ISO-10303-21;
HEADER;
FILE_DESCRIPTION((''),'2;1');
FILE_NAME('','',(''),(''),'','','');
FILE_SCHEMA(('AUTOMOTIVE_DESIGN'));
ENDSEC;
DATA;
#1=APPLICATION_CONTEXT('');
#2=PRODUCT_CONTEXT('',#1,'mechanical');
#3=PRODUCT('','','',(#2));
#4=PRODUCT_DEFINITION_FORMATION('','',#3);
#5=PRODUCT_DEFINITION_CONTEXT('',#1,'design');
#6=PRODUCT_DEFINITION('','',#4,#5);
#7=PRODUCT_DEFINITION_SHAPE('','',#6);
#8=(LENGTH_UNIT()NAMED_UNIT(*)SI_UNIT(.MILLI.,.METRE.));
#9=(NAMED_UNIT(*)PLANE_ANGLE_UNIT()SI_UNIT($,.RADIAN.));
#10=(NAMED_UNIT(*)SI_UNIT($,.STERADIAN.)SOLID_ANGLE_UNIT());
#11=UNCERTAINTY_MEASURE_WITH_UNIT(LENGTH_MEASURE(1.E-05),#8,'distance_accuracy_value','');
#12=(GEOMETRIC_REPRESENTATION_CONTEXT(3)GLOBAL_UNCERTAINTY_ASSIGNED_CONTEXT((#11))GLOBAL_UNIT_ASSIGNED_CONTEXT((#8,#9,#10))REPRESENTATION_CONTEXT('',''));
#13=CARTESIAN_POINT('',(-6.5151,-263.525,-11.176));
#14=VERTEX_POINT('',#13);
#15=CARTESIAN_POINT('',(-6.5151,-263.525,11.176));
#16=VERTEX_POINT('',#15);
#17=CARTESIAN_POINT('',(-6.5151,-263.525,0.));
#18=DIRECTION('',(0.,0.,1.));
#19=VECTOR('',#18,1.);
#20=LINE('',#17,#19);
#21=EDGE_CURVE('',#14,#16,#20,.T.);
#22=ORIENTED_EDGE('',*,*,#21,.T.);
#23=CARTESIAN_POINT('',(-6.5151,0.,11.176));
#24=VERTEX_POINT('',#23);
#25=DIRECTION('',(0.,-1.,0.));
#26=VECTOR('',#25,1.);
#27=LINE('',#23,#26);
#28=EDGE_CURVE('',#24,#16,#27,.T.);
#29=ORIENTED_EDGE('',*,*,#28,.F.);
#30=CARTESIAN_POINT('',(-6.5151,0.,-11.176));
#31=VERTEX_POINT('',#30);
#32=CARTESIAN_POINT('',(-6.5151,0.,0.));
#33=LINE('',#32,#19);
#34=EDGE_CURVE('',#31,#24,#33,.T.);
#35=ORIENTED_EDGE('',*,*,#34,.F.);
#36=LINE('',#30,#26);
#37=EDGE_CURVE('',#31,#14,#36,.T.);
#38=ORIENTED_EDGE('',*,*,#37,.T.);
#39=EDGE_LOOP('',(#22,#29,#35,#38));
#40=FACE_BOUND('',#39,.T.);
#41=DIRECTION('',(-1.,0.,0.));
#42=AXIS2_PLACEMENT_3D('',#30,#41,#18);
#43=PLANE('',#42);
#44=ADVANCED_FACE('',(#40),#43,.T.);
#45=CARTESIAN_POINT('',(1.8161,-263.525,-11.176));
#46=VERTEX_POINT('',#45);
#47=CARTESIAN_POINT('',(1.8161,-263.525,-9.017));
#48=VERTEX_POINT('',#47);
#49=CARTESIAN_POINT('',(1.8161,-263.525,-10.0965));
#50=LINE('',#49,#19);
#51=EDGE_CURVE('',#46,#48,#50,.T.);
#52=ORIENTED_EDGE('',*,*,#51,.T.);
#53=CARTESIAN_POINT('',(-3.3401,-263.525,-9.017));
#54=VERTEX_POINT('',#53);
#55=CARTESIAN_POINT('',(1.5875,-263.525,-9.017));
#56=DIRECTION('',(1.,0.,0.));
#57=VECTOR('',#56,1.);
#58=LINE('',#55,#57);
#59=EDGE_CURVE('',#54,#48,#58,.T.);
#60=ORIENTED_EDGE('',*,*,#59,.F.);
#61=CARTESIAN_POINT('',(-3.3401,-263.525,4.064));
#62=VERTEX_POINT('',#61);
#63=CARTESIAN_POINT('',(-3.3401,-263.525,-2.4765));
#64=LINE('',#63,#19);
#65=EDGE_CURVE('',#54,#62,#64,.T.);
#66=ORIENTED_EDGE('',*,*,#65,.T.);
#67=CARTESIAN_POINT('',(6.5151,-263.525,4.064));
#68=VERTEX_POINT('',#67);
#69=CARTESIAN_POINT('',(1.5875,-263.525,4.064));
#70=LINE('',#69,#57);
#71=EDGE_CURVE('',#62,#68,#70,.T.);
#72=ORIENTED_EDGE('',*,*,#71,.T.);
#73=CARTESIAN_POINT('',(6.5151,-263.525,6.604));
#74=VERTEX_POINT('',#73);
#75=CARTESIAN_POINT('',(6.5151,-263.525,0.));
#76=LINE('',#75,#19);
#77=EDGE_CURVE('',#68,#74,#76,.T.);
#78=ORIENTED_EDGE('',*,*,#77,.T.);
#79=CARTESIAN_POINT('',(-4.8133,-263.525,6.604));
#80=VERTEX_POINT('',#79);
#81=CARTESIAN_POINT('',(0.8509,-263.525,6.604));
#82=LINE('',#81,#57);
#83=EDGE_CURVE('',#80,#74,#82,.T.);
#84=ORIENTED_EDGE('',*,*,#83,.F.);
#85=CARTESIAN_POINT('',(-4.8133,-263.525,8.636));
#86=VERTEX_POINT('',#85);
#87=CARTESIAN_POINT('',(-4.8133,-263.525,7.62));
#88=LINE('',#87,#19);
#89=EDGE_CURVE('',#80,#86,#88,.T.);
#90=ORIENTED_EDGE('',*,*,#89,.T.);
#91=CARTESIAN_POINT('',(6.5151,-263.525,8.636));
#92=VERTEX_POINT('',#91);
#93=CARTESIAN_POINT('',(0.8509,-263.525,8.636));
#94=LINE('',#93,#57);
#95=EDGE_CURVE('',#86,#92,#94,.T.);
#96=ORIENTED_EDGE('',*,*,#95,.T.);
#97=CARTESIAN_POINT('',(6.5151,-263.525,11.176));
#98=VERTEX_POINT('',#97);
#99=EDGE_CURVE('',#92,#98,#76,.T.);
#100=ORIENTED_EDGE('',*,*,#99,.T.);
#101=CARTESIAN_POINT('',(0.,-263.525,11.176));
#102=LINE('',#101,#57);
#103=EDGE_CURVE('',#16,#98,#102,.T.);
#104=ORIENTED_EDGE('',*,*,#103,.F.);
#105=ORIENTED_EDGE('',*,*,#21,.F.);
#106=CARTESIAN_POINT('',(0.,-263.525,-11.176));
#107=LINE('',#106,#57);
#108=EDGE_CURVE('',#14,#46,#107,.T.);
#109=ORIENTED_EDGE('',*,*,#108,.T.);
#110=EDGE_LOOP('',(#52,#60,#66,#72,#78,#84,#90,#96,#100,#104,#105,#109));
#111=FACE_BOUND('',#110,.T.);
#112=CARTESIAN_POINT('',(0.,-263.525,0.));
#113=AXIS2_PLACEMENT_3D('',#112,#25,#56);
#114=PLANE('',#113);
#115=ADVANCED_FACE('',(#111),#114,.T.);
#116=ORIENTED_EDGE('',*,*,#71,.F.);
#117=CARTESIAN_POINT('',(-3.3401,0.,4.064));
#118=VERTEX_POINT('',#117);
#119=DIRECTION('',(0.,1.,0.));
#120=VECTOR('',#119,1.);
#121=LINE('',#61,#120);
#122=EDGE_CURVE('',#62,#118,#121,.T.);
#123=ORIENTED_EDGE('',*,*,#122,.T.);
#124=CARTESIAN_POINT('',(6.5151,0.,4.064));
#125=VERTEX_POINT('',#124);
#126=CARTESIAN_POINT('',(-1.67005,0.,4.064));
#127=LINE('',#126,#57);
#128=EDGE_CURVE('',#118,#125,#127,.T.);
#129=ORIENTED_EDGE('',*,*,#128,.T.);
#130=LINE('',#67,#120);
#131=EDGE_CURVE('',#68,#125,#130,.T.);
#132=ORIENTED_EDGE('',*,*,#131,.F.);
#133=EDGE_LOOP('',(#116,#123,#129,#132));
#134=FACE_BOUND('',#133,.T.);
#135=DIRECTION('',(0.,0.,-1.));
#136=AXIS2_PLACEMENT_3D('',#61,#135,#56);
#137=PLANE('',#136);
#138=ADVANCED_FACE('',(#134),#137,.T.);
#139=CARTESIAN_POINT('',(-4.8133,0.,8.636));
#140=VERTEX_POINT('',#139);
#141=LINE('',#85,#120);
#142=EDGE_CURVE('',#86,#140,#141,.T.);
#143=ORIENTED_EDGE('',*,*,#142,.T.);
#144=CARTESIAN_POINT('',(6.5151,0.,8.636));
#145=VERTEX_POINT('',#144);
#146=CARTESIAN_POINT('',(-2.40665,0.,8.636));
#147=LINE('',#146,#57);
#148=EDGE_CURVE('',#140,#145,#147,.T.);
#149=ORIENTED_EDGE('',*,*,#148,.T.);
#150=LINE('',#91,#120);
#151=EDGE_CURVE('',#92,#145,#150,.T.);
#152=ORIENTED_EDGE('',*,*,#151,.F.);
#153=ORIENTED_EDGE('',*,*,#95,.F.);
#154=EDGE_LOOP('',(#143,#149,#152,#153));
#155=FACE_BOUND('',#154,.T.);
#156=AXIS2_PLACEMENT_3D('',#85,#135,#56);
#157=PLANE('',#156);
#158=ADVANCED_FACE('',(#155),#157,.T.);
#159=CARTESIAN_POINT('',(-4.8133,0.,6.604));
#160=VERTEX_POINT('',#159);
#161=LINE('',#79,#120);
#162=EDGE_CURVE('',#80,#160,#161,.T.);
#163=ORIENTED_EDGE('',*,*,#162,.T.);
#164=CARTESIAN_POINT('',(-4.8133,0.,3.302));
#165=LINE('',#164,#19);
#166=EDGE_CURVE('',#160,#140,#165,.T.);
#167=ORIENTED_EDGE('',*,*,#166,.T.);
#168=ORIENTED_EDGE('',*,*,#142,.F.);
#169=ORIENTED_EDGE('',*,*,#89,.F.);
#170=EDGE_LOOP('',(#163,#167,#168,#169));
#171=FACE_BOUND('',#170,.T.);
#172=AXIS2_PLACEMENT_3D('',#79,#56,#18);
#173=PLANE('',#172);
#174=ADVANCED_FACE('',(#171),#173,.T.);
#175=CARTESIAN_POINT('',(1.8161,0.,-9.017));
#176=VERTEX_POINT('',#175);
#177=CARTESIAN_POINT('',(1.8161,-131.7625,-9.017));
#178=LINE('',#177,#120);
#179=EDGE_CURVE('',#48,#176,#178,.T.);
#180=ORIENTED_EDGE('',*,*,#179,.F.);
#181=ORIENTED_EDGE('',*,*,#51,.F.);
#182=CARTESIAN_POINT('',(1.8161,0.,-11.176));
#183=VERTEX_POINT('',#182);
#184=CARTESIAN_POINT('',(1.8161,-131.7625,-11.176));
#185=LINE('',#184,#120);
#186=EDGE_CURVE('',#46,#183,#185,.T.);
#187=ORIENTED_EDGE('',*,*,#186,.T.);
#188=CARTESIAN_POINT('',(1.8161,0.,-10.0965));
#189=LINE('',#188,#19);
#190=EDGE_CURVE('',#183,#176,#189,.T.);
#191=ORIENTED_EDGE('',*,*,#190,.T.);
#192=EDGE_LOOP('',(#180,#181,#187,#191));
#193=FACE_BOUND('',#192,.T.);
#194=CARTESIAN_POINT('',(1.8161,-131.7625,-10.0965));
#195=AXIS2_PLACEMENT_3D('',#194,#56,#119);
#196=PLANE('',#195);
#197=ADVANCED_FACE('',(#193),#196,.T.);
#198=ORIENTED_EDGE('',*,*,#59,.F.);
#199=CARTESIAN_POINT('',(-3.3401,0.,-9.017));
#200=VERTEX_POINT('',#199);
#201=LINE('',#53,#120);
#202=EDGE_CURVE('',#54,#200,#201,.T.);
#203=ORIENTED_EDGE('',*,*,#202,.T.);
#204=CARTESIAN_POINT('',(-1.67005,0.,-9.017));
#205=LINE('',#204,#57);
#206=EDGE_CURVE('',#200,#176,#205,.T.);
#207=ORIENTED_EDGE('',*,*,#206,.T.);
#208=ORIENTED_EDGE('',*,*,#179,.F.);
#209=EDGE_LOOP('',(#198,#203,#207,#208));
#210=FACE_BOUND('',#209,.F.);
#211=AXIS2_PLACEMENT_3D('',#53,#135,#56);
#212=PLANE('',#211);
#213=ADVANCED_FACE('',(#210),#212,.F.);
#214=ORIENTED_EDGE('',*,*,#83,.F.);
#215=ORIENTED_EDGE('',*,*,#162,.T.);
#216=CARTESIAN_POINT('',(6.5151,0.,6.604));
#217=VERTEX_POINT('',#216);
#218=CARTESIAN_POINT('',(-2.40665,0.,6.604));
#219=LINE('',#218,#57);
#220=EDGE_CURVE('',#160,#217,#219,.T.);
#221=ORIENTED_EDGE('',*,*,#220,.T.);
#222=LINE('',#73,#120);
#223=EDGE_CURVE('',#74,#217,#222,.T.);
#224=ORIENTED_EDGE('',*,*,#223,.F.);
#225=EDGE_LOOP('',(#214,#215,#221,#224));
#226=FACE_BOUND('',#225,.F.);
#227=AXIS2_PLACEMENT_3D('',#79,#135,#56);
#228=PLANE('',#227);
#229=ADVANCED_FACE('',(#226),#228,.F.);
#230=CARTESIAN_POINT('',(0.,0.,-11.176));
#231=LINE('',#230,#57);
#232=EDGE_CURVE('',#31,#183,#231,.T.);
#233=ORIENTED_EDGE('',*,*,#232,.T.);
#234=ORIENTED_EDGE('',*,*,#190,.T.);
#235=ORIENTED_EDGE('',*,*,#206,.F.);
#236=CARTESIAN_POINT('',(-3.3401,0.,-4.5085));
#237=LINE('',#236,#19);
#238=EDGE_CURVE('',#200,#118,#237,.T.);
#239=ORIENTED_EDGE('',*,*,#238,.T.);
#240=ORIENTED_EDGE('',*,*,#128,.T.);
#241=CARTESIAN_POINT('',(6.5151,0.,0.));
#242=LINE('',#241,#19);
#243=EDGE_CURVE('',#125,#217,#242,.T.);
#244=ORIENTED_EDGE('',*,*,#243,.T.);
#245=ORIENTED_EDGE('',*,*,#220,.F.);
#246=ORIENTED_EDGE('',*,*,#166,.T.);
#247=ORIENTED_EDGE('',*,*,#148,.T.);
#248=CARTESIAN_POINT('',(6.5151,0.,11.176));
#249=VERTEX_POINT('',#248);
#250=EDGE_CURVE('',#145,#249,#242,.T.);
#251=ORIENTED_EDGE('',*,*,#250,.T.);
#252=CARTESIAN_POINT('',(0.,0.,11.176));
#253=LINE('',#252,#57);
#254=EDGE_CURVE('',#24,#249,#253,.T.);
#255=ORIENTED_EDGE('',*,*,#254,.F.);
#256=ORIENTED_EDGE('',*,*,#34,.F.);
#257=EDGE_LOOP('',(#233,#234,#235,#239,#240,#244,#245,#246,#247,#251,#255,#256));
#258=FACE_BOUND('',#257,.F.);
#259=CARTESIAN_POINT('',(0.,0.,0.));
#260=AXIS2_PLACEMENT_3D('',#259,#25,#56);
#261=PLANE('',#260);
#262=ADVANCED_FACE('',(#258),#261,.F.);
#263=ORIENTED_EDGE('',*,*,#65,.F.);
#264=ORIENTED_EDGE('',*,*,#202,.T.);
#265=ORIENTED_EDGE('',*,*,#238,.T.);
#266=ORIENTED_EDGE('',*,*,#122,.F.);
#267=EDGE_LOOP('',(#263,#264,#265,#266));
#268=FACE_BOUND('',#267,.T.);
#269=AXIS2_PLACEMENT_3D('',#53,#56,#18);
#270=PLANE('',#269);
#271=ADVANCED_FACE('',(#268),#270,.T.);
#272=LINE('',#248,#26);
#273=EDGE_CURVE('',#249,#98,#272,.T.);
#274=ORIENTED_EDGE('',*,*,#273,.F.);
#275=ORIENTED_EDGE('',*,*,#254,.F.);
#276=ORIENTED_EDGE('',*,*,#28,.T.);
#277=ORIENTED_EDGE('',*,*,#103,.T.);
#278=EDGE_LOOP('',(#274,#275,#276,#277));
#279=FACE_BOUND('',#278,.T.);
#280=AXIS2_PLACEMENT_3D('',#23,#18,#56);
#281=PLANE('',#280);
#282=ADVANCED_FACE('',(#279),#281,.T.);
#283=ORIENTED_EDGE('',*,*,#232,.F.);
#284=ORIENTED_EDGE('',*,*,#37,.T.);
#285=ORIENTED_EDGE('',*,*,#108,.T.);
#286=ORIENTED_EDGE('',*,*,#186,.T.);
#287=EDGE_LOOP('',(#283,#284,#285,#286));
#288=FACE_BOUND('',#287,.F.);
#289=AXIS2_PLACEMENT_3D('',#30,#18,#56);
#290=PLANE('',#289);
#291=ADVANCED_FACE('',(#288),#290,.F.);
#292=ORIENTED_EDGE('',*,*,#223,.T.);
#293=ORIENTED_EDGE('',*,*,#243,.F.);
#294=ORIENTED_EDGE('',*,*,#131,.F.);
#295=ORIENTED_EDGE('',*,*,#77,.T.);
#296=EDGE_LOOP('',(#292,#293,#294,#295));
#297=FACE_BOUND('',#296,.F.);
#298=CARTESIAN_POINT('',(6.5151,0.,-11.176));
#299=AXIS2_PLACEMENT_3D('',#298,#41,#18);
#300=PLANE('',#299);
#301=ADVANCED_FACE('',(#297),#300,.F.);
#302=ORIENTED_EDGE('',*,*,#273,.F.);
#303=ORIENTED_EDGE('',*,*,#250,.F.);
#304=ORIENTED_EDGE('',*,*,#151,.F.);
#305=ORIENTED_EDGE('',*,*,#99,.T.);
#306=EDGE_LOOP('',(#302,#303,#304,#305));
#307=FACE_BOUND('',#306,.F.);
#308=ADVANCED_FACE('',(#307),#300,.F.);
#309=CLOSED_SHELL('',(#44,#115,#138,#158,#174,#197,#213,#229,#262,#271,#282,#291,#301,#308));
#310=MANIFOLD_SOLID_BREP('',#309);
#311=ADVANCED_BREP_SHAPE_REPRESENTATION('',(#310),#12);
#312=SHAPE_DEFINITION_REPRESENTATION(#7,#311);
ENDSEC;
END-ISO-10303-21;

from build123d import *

# Parameters (mm, degrees)
F0_W     = 13.0302
F0_H     = 22.352
F1_DEPTH = 263.525
F2_W     = 11.3284
F2_H     = 2.032
F3_DEPTH = 263.526
F4_W     = 9.8552
F4_H     = 13.081
F5_DEPTH = 263.526
F6_W     = 263.525
F6_H     = 2.159
F7_DEPTH = 4.699


with BuildPart() as f1:
    # F0 (on Front) → F1 (new body)
    with BuildSketch(Plane.XZ):
        Rectangle(F0_W, F0_H)
    extrude(amount=F1_DEPTH)

    # F2 (on face) → F3 (cut, through all)
    with BuildSketch(Plane.XZ.offset(263.525)):
        with Locations((0.8509, 7.62)):
            Rectangle(F2_W, F2_H)
    extrude(amount=-F3_DEPTH, mode=Mode.SUBTRACT)

    # F4 (on face) → F5 (cut, through all)
    with BuildSketch(Plane.XZ.offset(263.525)):
        with Locations((1.5875, -2.4765)):
            Rectangle(F4_W, F4_H)
    extrude(amount=-F5_DEPTH, mode=Mode.SUBTRACT)

    # F6 (on face) → F7 (cut)
    with BuildSketch(Plane.YZ.offset(6.5151)):
        with Locations((-131.7625, -10.0965)):
            Rectangle(F6_W, F6_H)
    extrude(amount=-F7_DEPTH, mode=Mode.SUBTRACT)


solid = f1.part
